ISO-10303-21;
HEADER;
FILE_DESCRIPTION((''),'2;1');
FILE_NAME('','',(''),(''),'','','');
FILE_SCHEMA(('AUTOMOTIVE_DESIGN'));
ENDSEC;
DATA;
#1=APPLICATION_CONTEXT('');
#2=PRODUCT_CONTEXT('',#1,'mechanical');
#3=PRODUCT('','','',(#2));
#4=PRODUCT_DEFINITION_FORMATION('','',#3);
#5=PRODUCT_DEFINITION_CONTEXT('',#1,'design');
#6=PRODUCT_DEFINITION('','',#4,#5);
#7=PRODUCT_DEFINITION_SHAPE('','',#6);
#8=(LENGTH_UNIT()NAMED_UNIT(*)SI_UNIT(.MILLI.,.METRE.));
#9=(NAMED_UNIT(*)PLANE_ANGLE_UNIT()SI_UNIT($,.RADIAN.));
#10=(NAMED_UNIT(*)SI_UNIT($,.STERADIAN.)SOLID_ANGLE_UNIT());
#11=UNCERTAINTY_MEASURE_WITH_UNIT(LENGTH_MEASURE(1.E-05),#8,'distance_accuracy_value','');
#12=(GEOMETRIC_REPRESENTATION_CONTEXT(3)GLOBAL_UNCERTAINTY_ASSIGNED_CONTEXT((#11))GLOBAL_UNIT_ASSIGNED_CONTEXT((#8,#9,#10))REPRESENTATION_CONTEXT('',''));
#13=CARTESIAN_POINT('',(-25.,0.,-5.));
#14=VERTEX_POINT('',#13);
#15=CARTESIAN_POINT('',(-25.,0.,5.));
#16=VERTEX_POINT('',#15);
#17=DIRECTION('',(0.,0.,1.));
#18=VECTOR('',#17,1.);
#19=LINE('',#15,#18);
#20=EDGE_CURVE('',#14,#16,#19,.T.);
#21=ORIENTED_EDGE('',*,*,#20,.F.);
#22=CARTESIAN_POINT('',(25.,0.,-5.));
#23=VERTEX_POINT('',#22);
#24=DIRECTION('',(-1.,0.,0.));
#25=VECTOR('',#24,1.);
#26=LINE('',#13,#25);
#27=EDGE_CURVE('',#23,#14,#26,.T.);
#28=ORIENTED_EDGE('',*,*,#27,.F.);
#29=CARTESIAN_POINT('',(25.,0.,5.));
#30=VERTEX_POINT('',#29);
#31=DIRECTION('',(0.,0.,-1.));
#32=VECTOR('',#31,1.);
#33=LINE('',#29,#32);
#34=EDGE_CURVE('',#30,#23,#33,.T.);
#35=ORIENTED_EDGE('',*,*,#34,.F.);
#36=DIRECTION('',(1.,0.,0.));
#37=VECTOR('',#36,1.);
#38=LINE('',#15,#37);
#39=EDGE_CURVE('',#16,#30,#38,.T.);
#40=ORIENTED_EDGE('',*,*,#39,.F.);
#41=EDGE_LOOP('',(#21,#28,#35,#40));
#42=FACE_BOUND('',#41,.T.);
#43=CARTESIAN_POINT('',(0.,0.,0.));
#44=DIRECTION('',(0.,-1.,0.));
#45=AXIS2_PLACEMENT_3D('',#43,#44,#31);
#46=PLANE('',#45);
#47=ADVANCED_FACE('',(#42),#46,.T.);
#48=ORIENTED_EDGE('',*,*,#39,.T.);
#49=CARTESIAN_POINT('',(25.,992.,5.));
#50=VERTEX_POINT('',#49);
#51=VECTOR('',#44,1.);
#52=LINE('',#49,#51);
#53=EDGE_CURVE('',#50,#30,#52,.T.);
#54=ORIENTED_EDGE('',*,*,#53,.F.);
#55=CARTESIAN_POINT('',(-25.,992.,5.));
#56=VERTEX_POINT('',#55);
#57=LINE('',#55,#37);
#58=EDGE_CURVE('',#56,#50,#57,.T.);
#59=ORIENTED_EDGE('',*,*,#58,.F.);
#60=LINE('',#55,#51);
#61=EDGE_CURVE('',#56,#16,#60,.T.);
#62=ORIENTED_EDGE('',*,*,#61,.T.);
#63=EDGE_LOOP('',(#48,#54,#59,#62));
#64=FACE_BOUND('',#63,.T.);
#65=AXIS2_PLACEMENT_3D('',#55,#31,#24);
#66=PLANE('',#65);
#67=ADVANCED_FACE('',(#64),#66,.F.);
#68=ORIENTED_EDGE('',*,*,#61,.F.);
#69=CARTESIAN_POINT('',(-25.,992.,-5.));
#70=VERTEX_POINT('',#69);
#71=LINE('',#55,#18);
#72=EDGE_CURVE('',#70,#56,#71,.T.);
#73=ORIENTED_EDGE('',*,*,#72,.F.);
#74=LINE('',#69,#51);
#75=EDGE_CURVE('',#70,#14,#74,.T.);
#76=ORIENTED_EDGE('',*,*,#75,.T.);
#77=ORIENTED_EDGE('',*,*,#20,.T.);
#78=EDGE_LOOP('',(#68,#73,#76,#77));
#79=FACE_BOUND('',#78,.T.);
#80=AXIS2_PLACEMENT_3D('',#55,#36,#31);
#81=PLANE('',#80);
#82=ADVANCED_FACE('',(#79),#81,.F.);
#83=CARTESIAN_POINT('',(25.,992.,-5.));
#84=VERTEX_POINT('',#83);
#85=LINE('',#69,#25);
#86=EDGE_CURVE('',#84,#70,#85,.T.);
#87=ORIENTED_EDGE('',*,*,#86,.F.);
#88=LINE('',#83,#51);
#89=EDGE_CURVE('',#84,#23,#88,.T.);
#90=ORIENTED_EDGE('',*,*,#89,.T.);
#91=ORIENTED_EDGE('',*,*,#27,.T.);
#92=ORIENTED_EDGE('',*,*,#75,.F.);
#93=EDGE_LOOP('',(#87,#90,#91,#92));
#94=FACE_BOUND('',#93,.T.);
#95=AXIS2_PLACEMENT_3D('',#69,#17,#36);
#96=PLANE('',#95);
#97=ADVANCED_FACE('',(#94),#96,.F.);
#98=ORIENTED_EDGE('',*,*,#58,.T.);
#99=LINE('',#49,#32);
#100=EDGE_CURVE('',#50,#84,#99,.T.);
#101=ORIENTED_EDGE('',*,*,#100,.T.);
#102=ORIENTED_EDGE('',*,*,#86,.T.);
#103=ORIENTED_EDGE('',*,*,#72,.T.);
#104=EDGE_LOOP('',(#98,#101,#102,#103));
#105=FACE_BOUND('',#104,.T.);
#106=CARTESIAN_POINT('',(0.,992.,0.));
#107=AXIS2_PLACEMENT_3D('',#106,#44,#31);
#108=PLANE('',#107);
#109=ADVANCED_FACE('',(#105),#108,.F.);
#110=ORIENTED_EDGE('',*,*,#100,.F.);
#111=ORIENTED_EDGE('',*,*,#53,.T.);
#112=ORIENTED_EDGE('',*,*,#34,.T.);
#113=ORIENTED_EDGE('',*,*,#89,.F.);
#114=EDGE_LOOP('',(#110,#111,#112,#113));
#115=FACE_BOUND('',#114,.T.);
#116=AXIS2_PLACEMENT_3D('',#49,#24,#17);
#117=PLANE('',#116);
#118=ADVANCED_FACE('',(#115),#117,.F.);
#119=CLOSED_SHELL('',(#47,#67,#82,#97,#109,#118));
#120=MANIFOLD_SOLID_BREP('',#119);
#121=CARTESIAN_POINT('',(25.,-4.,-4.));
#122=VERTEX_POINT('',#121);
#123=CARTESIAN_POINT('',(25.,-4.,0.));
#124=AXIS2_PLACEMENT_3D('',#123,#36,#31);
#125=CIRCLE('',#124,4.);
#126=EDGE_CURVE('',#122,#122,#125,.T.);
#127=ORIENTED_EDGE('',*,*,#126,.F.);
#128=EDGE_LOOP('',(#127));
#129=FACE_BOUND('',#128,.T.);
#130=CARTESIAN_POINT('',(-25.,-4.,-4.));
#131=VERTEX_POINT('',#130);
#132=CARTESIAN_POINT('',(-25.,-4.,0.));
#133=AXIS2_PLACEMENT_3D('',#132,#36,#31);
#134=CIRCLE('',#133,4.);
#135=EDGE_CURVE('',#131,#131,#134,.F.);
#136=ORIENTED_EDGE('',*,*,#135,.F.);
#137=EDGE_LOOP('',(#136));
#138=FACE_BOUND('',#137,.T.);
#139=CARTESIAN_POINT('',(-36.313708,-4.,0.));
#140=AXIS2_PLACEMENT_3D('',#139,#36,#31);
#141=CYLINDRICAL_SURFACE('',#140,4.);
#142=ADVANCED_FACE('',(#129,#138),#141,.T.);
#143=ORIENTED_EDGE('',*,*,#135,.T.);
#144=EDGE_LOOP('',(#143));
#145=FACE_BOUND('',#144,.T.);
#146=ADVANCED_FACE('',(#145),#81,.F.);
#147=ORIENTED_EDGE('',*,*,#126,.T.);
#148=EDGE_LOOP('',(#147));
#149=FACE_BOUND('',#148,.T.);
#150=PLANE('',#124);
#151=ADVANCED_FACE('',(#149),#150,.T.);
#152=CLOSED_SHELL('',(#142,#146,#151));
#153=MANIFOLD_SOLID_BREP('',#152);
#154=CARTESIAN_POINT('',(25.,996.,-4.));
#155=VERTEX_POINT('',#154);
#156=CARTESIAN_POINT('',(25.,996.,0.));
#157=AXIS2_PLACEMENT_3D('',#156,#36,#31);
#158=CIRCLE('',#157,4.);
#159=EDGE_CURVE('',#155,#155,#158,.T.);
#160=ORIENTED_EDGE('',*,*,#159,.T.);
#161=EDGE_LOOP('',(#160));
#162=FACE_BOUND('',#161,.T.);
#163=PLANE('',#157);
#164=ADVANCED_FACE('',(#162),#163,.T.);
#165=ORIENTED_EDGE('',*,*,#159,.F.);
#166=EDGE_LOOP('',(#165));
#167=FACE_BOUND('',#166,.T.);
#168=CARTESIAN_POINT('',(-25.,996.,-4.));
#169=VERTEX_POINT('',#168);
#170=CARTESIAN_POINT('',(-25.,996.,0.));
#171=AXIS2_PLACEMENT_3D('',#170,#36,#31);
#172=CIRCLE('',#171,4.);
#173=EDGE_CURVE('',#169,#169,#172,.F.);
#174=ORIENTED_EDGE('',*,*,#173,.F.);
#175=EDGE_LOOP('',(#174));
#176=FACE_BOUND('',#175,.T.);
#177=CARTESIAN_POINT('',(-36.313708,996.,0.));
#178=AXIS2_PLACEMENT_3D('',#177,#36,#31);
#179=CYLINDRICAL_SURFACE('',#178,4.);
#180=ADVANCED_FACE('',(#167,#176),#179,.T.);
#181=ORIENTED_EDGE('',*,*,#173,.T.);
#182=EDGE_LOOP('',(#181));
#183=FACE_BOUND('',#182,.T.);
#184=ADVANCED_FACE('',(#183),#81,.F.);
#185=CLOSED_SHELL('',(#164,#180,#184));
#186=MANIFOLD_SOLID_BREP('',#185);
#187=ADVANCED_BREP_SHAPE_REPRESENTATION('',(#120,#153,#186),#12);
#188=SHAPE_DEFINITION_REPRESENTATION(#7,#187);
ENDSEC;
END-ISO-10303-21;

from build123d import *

# Parameters (mm, degrees)
SKETCH1_W             = 50
SKETCH1_H             = 10
BOSS_EXTRUDE1_DEPTH   = 992
SKETCH2_R             = 4
BOSS_EXTRUDE2_DEPTH   = 50
BOSS_EXTRUDE2_2_DEPTH = 50


with BuildPart() as part:
    # Sketch1 → Boss-Extrude1 (new body)
    with BuildSketch(Plane(origin=(0, 0, 0), x_dir=(1, 0, 0), z_dir=(0, 1, 0))):
        Rectangle(SKETCH1_W, SKETCH1_H)
    extrude(amount=BOSS_EXTRUDE1_DEPTH)


with BuildPart() as body_2:
    # Sketch2 → Boss-Extrude2 (new body)
    with BuildSketch(Plane(origin=(25, 0, 0), x_dir=(0, 0, -1), z_dir=(1, 0, 0))):
        with Locations((0, 996)):
            Circle(SKETCH2_R)
    extrude(amount=-BOSS_EXTRUDE2_DEPTH)


with BuildPart() as body_3:
    # Sketch2 → Boss-Extrude2 2 (new body)
    with BuildSketch(Plane(origin=(25, 0, 0), x_dir=(0, 0, -1), z_dir=(1, 0, 0))):
        with Locations((0, -4)):
            Circle(SKETCH2_R)
    extrude(amount=-BOSS_EXTRUDE2_2_DEPTH)


solid = Compound([part.part, body_2.part, body_3.part])
